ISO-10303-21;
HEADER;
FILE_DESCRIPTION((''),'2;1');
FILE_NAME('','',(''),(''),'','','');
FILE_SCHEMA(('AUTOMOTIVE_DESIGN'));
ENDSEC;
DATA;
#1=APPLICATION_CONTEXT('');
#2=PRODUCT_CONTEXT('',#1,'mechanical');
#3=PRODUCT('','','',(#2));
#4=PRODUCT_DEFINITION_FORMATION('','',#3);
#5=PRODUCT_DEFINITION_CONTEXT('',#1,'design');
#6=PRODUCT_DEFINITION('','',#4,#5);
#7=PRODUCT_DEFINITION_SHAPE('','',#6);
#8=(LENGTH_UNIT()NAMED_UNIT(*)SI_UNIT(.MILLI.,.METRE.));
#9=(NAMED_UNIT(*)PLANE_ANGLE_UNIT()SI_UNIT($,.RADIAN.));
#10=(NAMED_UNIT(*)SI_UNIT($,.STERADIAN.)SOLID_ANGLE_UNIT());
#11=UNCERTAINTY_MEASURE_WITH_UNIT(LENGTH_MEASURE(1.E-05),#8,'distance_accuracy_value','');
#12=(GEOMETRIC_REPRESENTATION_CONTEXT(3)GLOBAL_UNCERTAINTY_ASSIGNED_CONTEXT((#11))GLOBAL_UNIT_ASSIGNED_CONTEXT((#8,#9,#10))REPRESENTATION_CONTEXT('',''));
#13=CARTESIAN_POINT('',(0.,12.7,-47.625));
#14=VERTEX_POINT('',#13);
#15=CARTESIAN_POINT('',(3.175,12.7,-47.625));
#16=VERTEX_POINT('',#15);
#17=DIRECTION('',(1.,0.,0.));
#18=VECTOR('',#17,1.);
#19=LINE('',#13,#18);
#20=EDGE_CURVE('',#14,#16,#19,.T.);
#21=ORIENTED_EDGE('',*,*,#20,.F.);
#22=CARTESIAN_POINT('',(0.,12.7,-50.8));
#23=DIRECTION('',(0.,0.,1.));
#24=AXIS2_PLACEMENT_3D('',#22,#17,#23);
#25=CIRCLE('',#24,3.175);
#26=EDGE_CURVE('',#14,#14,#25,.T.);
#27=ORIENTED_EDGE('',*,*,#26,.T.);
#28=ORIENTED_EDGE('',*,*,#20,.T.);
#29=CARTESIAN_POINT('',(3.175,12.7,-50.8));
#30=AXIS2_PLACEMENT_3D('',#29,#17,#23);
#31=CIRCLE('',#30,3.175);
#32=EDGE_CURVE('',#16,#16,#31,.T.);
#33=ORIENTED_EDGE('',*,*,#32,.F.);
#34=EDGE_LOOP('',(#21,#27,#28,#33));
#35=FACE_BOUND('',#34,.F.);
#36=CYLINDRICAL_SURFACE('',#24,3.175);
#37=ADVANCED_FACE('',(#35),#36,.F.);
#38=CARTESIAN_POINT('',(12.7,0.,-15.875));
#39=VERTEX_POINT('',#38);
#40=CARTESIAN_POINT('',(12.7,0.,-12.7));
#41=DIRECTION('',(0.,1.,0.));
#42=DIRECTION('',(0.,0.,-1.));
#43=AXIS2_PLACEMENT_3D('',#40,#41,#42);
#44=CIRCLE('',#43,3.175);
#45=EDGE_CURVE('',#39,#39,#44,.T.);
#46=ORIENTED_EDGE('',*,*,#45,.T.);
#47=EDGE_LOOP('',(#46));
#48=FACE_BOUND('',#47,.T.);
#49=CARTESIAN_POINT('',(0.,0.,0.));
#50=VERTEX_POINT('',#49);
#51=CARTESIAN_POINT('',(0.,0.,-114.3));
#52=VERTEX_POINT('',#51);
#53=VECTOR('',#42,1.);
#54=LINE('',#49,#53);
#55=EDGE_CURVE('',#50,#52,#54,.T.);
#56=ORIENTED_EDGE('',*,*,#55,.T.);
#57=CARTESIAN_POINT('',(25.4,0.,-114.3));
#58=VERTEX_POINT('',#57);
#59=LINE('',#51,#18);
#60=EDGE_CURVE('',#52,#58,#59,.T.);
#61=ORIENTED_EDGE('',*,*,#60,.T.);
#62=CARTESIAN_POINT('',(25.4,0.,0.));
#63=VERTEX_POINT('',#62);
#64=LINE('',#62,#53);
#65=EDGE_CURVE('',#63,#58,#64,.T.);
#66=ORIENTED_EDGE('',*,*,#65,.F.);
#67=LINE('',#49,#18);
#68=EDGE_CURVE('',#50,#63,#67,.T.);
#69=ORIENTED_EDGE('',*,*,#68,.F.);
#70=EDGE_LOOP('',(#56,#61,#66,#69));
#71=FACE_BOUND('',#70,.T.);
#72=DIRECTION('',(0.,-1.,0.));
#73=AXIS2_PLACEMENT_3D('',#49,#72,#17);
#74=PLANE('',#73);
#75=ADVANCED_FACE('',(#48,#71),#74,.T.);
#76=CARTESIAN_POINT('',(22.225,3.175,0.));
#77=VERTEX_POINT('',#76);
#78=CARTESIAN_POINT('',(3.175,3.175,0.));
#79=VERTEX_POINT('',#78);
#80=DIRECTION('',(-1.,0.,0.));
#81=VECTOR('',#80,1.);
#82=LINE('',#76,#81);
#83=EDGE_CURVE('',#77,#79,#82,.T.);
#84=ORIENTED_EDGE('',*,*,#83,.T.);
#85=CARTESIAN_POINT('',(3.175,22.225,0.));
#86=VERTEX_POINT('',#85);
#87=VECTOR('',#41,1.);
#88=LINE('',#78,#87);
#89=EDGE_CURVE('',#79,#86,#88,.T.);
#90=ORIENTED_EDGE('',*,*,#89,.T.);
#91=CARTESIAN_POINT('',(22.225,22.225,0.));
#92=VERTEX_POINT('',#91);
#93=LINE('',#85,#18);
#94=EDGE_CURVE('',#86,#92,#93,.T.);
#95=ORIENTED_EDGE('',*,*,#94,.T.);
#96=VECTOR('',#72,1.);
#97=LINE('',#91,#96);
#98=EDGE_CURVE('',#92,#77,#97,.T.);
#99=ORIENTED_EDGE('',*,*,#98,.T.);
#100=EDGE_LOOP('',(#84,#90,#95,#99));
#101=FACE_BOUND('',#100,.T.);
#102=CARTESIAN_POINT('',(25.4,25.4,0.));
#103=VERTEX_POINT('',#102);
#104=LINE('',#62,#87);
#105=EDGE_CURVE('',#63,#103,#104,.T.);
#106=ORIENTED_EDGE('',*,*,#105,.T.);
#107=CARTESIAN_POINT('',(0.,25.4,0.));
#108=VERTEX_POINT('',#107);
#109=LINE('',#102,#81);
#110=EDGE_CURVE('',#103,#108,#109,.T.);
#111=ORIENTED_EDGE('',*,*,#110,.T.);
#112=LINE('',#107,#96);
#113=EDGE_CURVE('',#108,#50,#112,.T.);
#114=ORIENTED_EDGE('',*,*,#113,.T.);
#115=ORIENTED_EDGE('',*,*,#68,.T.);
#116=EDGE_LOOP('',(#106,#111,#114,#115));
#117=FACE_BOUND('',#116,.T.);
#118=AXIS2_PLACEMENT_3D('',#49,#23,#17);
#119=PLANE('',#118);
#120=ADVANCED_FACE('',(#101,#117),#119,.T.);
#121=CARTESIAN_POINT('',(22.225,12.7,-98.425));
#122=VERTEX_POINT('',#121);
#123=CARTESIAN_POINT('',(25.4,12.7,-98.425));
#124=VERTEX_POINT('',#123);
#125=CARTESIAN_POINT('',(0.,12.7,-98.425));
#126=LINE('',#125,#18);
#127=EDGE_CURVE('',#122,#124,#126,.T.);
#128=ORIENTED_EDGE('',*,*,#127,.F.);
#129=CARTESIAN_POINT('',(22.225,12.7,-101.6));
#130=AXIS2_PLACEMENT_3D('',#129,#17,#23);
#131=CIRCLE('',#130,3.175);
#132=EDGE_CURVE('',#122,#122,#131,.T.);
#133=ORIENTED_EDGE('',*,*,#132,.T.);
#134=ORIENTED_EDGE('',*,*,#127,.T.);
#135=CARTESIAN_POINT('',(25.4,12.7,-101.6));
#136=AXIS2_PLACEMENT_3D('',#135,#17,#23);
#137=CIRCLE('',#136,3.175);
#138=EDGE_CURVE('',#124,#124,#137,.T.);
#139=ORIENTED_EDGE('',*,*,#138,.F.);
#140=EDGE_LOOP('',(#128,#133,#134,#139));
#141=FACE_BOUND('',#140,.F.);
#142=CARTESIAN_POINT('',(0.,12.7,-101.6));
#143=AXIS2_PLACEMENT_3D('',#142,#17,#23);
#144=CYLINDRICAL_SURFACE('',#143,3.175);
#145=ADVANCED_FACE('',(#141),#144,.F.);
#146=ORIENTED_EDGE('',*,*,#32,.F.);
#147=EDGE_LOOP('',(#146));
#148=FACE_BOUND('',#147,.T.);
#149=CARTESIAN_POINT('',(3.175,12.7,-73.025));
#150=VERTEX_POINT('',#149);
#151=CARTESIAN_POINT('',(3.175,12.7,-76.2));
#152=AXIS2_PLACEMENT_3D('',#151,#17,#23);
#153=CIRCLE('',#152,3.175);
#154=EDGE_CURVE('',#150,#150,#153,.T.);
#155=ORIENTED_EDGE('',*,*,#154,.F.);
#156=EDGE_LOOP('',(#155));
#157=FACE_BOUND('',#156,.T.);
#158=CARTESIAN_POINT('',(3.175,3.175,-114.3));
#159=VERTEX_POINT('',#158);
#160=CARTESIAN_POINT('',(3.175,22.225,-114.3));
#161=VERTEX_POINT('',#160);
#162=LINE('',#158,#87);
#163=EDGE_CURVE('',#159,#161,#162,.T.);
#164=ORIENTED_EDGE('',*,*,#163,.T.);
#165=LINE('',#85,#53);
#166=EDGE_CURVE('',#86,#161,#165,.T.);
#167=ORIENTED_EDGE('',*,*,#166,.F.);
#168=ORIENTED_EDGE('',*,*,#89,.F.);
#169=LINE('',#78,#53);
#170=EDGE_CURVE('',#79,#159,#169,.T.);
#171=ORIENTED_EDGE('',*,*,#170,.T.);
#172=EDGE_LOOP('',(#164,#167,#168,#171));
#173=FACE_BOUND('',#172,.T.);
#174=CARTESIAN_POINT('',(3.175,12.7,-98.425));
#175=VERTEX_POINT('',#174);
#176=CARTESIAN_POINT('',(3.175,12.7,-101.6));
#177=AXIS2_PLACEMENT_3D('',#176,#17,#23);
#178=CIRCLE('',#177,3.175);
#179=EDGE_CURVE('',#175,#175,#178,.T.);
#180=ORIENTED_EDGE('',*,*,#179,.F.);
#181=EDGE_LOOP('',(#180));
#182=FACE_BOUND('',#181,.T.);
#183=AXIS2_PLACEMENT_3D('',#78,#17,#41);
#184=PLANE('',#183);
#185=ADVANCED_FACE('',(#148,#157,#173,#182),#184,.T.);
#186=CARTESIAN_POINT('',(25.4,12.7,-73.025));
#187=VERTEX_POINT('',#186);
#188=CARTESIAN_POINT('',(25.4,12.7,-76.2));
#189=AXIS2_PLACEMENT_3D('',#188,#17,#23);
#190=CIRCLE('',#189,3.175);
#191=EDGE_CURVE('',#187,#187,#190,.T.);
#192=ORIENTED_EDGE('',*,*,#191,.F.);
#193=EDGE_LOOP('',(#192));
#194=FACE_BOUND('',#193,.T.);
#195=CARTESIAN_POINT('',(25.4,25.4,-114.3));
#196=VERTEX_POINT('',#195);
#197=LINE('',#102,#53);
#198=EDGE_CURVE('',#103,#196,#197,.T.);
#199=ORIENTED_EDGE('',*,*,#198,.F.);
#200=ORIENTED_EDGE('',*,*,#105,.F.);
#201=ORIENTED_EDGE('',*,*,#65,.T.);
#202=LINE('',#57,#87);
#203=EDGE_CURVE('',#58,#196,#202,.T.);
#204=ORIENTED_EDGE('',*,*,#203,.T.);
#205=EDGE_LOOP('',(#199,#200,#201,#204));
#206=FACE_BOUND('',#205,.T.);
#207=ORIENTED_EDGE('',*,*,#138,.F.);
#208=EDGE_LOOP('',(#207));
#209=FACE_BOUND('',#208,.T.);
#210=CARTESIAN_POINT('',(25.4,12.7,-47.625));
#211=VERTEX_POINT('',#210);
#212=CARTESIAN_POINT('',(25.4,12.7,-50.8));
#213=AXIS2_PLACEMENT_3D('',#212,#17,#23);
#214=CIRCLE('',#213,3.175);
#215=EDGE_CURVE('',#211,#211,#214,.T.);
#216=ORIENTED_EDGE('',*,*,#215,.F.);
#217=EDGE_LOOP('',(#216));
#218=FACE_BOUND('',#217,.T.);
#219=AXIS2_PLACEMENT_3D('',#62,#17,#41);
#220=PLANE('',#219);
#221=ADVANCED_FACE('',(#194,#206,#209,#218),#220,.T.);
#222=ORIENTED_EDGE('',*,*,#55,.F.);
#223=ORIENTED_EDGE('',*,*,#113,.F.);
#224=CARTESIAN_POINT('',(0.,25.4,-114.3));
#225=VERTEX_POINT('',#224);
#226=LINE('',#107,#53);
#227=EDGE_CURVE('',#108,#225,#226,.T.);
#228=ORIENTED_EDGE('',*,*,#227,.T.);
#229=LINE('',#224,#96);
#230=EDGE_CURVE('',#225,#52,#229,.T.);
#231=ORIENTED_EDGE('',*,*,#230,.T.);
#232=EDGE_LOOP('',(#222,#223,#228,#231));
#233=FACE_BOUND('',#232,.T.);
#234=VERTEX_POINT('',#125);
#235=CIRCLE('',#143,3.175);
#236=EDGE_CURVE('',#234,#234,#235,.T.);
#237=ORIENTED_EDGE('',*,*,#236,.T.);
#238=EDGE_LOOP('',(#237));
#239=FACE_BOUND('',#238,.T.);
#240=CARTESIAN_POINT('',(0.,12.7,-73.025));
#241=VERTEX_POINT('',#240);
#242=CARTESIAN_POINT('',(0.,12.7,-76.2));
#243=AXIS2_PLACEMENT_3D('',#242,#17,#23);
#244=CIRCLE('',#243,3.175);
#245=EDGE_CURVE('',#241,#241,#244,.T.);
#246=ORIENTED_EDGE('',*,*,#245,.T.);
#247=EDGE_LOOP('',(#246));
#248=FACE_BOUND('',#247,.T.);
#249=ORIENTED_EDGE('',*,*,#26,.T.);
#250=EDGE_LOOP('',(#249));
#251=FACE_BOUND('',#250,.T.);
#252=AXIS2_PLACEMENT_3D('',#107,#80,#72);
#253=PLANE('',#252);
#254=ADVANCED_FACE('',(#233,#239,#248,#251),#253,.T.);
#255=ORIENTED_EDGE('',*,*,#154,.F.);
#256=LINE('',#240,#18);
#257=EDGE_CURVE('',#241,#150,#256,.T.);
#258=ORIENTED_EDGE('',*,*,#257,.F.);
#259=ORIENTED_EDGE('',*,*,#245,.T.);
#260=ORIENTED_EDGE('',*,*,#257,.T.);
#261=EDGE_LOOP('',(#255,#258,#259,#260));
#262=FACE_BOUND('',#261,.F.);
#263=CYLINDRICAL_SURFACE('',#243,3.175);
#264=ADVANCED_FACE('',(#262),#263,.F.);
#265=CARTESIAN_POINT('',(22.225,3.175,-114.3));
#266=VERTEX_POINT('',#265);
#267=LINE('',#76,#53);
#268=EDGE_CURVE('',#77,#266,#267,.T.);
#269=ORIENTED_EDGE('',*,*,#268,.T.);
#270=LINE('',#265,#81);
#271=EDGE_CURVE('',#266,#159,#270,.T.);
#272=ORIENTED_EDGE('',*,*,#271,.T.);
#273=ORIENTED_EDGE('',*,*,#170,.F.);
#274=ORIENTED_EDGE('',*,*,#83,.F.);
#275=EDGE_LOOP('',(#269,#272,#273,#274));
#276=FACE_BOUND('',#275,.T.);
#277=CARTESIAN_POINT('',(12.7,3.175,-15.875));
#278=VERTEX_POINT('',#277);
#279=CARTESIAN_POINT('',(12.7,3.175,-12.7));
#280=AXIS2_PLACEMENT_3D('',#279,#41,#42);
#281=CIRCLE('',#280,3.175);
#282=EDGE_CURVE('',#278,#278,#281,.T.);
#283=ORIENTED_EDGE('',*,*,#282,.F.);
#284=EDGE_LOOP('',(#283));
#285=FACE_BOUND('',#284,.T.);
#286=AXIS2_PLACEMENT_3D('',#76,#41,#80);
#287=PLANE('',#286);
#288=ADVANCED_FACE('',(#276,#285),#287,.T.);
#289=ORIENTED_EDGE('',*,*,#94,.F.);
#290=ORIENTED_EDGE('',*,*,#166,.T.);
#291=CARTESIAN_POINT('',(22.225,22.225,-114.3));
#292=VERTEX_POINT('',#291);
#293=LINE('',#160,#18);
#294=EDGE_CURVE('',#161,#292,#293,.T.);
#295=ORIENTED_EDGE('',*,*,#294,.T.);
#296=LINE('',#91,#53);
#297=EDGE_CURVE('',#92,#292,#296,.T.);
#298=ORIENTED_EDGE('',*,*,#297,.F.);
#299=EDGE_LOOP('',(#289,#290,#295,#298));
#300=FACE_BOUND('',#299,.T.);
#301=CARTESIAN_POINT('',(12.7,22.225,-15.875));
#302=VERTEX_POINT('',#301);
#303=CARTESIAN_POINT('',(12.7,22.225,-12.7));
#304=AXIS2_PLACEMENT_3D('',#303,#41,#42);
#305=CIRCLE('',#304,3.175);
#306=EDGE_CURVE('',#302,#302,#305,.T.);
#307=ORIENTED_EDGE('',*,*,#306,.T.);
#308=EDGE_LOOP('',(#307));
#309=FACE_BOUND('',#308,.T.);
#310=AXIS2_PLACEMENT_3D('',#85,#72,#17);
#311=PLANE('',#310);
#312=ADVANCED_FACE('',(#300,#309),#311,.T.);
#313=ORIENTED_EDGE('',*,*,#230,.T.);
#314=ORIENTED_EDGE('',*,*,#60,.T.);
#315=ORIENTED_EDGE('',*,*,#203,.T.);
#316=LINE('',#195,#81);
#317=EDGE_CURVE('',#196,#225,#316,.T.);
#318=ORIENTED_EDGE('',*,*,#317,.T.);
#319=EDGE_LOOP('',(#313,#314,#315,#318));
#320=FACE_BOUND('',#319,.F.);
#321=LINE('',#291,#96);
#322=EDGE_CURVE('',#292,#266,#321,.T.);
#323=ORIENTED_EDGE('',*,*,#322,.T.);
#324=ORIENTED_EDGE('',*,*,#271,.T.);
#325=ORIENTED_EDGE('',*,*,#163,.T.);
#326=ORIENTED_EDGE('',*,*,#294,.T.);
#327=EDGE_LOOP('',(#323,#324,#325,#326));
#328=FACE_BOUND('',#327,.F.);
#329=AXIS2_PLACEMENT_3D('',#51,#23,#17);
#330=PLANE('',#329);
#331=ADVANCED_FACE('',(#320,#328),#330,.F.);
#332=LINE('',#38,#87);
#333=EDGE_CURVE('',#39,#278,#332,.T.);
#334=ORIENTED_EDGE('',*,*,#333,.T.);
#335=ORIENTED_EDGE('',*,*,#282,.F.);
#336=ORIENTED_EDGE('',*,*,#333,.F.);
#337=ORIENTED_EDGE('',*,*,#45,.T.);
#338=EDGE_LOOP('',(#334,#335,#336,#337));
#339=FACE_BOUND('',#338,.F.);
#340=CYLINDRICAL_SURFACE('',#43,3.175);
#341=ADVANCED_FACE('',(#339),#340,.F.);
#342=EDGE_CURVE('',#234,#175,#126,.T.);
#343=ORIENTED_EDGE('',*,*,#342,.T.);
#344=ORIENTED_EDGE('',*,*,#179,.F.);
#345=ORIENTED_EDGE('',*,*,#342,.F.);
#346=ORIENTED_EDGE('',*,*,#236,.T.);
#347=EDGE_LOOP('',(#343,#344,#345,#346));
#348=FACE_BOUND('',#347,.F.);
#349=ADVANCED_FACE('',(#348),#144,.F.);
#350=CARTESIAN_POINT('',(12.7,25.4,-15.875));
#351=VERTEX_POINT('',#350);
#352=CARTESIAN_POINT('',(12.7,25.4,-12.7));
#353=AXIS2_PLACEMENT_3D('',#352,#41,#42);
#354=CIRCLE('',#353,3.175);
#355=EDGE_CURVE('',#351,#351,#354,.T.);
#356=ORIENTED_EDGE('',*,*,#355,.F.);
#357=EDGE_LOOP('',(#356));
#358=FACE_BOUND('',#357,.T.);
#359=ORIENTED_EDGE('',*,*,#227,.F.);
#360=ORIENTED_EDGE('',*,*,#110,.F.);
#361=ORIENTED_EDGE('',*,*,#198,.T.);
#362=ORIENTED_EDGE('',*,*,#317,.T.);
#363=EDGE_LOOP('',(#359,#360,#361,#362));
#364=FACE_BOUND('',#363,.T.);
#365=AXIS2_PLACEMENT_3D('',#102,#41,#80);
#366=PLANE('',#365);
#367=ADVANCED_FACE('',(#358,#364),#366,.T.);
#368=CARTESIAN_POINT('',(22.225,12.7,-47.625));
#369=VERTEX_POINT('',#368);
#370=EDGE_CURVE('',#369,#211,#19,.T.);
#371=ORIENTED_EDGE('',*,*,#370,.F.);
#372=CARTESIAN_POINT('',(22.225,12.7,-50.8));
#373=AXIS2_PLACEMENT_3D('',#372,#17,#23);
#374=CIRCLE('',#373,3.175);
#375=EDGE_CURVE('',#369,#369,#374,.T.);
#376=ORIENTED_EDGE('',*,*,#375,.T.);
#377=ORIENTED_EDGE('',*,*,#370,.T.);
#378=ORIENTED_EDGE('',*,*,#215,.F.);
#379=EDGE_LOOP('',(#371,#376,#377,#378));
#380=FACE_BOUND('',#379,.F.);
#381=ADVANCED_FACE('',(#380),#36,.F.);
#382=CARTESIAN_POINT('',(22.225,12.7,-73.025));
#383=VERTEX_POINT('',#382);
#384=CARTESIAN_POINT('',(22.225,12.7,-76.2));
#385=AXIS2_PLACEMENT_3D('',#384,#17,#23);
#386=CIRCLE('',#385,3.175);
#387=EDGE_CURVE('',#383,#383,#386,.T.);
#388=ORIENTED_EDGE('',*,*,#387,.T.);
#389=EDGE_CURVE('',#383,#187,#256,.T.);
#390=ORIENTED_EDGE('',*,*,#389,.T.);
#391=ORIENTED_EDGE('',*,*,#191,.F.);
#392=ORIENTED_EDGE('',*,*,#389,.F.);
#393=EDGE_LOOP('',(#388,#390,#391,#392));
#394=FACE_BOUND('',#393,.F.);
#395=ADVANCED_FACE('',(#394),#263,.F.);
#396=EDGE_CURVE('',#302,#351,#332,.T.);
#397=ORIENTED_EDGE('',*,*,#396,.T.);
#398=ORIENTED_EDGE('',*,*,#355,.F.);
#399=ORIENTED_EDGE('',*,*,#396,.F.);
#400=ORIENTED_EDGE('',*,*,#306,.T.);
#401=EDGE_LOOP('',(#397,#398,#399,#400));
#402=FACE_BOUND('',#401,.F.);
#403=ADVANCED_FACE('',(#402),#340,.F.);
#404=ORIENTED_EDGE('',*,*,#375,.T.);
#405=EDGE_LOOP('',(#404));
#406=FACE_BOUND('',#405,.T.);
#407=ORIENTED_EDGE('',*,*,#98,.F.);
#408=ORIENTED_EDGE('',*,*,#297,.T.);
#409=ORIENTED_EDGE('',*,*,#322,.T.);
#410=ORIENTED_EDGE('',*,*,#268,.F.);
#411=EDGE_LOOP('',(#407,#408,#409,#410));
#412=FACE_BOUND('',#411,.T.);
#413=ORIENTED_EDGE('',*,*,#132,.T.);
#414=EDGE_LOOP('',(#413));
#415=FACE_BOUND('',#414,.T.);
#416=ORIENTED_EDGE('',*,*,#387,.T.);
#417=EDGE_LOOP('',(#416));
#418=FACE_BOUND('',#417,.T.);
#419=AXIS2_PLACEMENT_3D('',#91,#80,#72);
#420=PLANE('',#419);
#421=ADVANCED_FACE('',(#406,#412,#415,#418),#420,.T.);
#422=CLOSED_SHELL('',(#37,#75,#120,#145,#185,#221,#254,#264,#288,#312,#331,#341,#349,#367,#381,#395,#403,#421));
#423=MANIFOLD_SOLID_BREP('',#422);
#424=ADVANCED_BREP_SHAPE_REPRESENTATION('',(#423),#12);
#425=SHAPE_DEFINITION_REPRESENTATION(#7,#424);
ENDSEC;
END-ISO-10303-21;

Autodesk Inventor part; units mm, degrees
ref_plane "YZ Plane" through (0, 0, 0) normal (1, 0, 0) x (0, 1, 0)
ref_plane "XZ Plane" through (0, 0, 0) normal (0, 1, 0) x (-1, 0, 0)
ref_plane "XY Plane" through (0, 0, 0) normal (0, 0, 1) x (1, 0, 0)
sketch "Sketch1" plane through (0, 0, 0) normal (0, 0, 1) x (1, 0, 0)
  line L0 (0, 0) -> (25.4, 0)
  line L1 (25.4, 0) -> (25.4, 25.4)
  line L2 (25.4, 25.4) -> (0, 25.4)
  line L3 (0, 25.4) -> (0, 0)
  line L4 (3.175, 22.225) -> (22.225, 22.225)
  line L5 (22.225, 22.225) -> (22.225, 3.175)
  line L6 (22.225, 3.175) -> (3.175, 3.175)
  line L7 (3.175, 3.175) -> (3.175, 22.225)
  dimension "d0" = 25.4
  dimension "d1" = 25.4
  dimension "d2" = 3.175
extrude "Extrusion1" add sketch "Sketch1" against normal blind 114.3
sketch "Sketch2" plane through (0, 0, 0) normal (-1, 0, 0) x (0, 0, 1)
  line L0 (-114.3, 25.4) -> (-114.3, 0) projected
  point P0 (-101.6, 12.7)
  point P1 (-76.2, 12.7)
  point P2 (-50.8, 12.7)
  dimension "d5" = 12.7
  dimension "d6" = 25.4
  dimension "d7" = 25.4
hole "Hole1" at (0, 12.7, -101.6) at (0, 12.7, -76.2) at (0, 12.7, -50.8) direction (1, 0, 0) diameter 6.35 depth 25.4 tip angle 118
sketch "Sketch3" plane through (0, 0, 0) normal (0, -1, 0) x (1, 0, 0)
  line L0 (0, 0) -> (25.4, 0) projected
  point P0 (12.7, -12.7)
  dimension "d15" = 12.7
hole "Hole2" at (12.7, 0, -12.7) direction (0, 1, 0) diameter 6.35 depth 25.4 tip angle 118
properties part number "towerside4.5inbrace"
